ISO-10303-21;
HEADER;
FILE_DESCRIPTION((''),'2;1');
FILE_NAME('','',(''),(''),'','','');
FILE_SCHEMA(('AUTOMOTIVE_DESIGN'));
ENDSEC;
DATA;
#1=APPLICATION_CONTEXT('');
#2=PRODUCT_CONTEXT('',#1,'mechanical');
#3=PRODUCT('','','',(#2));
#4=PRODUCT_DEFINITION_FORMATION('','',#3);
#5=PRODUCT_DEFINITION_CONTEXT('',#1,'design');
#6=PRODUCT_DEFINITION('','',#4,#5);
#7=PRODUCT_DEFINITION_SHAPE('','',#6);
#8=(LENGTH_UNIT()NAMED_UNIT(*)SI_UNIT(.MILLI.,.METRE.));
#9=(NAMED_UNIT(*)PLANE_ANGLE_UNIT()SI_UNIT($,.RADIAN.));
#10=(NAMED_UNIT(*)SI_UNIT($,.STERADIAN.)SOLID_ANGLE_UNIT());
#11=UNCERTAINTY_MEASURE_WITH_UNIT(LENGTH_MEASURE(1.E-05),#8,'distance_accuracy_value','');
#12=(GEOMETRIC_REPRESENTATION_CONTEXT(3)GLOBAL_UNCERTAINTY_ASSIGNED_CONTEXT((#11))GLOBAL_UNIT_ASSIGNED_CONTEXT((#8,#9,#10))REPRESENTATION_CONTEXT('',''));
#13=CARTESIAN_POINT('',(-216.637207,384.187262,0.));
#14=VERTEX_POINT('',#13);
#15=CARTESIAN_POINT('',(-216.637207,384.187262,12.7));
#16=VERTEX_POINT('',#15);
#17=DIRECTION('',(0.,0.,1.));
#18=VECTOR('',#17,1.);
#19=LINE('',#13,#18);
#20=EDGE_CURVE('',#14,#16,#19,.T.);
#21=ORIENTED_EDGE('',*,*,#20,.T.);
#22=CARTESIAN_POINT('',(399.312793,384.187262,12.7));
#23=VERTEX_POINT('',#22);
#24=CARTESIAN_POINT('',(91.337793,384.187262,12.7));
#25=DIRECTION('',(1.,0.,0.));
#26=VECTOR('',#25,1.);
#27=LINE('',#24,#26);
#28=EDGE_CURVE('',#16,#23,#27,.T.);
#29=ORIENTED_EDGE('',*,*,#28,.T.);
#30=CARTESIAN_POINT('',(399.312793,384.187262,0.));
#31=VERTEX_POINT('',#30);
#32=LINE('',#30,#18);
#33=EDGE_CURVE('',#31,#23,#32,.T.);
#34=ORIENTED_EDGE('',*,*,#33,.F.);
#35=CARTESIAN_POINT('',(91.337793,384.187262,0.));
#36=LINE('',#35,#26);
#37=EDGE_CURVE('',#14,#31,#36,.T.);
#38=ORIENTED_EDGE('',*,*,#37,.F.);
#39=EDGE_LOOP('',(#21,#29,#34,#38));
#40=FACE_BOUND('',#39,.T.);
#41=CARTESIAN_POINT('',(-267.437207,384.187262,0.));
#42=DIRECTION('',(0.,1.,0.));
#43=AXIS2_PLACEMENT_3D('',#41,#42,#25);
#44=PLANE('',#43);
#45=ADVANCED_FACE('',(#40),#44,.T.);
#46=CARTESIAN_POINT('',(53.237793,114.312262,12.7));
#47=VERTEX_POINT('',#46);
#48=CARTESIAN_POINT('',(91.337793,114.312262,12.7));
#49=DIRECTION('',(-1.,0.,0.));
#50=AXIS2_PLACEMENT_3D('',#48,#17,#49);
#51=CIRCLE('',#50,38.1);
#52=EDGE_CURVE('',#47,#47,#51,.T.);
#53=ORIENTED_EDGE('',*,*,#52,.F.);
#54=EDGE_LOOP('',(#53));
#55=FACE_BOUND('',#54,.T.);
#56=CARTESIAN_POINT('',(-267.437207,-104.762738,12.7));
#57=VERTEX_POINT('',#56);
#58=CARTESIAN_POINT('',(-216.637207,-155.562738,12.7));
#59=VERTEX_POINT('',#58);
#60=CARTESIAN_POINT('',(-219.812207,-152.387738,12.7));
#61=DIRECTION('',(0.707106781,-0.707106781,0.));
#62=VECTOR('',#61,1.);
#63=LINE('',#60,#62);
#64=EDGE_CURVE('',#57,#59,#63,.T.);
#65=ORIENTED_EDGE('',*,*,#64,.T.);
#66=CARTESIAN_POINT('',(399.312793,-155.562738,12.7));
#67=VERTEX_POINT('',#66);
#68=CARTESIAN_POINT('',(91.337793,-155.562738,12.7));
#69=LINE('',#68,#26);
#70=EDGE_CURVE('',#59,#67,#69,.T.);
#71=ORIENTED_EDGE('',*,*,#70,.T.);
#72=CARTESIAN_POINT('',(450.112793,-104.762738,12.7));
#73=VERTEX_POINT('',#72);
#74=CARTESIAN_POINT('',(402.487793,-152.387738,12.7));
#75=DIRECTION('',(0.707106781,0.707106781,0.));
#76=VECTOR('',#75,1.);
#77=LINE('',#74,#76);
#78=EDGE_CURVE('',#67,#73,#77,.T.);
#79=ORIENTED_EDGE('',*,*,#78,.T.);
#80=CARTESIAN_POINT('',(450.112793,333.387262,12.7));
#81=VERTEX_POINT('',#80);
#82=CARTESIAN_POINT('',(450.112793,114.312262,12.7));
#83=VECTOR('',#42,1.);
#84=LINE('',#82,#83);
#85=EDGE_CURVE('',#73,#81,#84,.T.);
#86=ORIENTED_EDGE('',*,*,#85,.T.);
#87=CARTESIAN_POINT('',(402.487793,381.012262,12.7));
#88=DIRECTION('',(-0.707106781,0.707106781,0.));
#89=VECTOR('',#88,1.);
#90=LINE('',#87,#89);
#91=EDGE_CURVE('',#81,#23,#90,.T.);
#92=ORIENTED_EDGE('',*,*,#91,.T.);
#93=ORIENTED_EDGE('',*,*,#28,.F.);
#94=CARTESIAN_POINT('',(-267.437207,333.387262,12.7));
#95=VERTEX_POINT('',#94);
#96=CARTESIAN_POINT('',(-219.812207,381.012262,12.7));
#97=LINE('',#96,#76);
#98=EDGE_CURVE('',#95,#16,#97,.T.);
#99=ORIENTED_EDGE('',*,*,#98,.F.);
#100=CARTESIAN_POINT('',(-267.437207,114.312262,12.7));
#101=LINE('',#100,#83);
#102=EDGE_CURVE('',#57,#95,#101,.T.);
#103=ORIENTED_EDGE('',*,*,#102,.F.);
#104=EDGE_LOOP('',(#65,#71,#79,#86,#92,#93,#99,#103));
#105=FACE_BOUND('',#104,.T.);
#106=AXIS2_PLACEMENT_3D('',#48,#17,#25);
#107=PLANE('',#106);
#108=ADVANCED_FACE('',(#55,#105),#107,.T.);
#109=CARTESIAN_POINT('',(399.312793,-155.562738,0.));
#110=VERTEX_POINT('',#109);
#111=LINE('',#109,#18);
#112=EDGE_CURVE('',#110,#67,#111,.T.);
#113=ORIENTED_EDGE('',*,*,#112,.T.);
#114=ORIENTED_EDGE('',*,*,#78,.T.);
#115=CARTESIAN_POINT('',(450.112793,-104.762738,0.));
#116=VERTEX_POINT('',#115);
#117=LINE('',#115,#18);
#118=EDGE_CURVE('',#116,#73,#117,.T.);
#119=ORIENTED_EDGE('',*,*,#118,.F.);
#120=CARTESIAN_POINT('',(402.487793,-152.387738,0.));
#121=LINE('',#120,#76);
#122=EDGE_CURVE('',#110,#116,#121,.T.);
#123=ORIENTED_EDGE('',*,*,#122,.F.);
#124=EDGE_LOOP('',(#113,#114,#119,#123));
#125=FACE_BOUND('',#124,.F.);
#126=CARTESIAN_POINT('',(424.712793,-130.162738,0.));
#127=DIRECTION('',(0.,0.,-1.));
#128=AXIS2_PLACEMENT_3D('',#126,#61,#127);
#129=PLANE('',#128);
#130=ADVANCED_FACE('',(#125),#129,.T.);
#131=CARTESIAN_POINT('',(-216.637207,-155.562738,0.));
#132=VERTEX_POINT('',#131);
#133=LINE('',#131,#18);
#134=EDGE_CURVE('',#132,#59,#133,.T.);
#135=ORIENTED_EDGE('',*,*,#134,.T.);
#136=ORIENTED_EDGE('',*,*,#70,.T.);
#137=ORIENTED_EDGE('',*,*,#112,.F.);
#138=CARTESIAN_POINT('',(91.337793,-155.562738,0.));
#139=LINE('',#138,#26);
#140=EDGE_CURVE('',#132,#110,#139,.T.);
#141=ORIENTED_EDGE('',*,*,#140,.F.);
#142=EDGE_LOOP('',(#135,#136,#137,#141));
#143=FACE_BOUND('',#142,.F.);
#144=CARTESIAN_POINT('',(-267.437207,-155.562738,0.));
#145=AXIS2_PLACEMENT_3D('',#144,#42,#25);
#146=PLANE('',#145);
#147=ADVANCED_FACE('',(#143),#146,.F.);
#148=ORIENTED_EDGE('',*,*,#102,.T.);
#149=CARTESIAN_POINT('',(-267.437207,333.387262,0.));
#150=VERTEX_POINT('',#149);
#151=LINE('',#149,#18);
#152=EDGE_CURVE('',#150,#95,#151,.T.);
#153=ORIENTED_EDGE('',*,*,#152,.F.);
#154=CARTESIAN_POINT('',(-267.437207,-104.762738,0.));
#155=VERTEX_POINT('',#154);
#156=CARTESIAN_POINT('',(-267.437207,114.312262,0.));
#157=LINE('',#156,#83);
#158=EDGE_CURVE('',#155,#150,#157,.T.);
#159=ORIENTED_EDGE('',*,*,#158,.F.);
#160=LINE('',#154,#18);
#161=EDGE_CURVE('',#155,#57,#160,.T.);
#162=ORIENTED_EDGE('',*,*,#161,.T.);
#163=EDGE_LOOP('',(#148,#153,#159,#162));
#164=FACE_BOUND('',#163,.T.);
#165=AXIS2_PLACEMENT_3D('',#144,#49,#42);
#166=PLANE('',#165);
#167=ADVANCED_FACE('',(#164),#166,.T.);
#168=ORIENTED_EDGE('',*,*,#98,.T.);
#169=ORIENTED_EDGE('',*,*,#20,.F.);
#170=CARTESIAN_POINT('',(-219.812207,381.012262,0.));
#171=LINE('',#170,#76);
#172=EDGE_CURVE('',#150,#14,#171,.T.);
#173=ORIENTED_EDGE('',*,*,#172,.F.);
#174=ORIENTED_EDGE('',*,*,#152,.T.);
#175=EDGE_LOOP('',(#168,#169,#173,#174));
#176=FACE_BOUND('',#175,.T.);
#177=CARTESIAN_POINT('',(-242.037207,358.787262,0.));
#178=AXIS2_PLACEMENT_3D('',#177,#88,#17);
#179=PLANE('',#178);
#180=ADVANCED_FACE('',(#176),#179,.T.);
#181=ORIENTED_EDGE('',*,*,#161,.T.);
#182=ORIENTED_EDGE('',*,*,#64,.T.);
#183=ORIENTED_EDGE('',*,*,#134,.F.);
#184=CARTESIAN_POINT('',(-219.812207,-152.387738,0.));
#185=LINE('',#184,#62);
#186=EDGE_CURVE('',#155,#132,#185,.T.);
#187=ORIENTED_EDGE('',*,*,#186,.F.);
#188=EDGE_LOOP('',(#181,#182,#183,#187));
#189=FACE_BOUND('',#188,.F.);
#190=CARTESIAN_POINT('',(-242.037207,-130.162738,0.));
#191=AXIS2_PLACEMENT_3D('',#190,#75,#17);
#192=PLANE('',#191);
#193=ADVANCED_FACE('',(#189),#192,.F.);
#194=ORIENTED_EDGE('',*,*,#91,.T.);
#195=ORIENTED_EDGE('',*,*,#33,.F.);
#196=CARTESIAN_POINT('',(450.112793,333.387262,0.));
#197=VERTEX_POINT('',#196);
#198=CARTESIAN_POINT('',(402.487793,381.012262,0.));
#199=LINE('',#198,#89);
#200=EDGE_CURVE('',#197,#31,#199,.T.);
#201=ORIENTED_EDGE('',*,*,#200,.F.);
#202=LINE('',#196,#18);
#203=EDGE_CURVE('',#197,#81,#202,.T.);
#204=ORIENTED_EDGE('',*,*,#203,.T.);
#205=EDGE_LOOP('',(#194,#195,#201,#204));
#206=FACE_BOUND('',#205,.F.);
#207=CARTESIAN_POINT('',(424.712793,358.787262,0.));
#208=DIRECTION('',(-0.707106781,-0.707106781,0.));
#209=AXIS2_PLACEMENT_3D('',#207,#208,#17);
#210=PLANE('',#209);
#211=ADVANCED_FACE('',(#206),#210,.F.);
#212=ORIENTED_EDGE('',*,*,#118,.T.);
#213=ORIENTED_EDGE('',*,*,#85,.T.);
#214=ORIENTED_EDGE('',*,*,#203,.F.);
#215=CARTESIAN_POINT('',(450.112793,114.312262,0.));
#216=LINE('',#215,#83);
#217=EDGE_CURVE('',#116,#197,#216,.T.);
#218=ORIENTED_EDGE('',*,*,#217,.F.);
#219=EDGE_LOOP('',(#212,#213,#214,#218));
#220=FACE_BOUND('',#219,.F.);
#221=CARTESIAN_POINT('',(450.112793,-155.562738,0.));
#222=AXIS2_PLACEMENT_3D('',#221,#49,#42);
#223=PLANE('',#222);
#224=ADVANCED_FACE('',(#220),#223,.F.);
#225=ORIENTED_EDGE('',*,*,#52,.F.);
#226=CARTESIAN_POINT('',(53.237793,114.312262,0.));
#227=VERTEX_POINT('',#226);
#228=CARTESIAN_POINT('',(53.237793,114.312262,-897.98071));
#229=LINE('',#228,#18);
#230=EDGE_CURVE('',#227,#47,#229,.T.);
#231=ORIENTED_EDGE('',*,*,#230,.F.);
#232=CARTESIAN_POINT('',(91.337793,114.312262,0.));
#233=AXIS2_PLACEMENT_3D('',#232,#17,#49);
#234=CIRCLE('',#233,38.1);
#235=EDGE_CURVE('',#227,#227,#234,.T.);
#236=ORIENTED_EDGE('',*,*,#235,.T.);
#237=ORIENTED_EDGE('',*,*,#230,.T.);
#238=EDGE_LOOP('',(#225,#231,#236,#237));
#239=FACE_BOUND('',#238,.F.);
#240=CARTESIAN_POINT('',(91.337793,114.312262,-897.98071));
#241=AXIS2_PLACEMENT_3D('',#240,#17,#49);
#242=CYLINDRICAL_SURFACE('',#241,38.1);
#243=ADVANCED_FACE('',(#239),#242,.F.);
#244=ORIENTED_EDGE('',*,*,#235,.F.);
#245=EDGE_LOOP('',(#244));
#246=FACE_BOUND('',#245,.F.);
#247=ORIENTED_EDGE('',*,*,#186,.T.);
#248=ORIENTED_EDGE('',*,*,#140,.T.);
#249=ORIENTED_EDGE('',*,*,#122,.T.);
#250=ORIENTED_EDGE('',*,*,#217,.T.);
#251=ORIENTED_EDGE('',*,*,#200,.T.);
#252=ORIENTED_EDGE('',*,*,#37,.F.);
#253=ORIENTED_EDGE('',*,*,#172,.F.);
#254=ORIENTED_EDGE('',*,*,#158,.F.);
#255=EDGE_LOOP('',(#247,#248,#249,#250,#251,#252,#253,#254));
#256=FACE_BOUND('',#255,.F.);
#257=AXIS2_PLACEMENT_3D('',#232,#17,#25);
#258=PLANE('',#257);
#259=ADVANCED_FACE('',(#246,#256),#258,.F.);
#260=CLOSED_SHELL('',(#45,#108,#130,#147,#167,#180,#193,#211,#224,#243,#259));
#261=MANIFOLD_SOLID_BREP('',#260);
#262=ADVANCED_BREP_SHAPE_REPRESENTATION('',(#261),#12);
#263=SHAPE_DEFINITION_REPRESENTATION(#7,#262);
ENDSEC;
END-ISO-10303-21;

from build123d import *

# Parameters (mm, degrees)
F0_W     = 717.55
F0_H     = 539.75
F1_DEPTH = 12.7
F2_SIZE  = 50.8
F4_D     = 76.2


with BuildPart() as f1:
    # F0 (on Top) → F1 (new body)
    with BuildSketch(Plane.XY):
        with Locations((91.337793, 114.312262)):
            Rectangle(F0_W, F0_H)
    extrude(amount=F1_DEPTH)

    # F2
    f2_edges = [f1.edges().sort_by_distance(p)[0] for p in [
        (450.112793, 384.187262, 6.35),
        (450.112793, -155.562738, 6.35),
        (-267.437207, -155.562738, 6.35),
        (-267.437207, 384.187262, 6.35),
    ]]
    chamfer(f2_edges, length=F2_SIZE)

    # F4 (through all)
    with Locations(Plane(origin=(0, 0, 0), x_dir=(1, 0, 0), z_dir=(0, 0, -1))):
        with Locations((91.337793, -114.312262)):
            Hole(F4_D / 2)


solid = f1.part
